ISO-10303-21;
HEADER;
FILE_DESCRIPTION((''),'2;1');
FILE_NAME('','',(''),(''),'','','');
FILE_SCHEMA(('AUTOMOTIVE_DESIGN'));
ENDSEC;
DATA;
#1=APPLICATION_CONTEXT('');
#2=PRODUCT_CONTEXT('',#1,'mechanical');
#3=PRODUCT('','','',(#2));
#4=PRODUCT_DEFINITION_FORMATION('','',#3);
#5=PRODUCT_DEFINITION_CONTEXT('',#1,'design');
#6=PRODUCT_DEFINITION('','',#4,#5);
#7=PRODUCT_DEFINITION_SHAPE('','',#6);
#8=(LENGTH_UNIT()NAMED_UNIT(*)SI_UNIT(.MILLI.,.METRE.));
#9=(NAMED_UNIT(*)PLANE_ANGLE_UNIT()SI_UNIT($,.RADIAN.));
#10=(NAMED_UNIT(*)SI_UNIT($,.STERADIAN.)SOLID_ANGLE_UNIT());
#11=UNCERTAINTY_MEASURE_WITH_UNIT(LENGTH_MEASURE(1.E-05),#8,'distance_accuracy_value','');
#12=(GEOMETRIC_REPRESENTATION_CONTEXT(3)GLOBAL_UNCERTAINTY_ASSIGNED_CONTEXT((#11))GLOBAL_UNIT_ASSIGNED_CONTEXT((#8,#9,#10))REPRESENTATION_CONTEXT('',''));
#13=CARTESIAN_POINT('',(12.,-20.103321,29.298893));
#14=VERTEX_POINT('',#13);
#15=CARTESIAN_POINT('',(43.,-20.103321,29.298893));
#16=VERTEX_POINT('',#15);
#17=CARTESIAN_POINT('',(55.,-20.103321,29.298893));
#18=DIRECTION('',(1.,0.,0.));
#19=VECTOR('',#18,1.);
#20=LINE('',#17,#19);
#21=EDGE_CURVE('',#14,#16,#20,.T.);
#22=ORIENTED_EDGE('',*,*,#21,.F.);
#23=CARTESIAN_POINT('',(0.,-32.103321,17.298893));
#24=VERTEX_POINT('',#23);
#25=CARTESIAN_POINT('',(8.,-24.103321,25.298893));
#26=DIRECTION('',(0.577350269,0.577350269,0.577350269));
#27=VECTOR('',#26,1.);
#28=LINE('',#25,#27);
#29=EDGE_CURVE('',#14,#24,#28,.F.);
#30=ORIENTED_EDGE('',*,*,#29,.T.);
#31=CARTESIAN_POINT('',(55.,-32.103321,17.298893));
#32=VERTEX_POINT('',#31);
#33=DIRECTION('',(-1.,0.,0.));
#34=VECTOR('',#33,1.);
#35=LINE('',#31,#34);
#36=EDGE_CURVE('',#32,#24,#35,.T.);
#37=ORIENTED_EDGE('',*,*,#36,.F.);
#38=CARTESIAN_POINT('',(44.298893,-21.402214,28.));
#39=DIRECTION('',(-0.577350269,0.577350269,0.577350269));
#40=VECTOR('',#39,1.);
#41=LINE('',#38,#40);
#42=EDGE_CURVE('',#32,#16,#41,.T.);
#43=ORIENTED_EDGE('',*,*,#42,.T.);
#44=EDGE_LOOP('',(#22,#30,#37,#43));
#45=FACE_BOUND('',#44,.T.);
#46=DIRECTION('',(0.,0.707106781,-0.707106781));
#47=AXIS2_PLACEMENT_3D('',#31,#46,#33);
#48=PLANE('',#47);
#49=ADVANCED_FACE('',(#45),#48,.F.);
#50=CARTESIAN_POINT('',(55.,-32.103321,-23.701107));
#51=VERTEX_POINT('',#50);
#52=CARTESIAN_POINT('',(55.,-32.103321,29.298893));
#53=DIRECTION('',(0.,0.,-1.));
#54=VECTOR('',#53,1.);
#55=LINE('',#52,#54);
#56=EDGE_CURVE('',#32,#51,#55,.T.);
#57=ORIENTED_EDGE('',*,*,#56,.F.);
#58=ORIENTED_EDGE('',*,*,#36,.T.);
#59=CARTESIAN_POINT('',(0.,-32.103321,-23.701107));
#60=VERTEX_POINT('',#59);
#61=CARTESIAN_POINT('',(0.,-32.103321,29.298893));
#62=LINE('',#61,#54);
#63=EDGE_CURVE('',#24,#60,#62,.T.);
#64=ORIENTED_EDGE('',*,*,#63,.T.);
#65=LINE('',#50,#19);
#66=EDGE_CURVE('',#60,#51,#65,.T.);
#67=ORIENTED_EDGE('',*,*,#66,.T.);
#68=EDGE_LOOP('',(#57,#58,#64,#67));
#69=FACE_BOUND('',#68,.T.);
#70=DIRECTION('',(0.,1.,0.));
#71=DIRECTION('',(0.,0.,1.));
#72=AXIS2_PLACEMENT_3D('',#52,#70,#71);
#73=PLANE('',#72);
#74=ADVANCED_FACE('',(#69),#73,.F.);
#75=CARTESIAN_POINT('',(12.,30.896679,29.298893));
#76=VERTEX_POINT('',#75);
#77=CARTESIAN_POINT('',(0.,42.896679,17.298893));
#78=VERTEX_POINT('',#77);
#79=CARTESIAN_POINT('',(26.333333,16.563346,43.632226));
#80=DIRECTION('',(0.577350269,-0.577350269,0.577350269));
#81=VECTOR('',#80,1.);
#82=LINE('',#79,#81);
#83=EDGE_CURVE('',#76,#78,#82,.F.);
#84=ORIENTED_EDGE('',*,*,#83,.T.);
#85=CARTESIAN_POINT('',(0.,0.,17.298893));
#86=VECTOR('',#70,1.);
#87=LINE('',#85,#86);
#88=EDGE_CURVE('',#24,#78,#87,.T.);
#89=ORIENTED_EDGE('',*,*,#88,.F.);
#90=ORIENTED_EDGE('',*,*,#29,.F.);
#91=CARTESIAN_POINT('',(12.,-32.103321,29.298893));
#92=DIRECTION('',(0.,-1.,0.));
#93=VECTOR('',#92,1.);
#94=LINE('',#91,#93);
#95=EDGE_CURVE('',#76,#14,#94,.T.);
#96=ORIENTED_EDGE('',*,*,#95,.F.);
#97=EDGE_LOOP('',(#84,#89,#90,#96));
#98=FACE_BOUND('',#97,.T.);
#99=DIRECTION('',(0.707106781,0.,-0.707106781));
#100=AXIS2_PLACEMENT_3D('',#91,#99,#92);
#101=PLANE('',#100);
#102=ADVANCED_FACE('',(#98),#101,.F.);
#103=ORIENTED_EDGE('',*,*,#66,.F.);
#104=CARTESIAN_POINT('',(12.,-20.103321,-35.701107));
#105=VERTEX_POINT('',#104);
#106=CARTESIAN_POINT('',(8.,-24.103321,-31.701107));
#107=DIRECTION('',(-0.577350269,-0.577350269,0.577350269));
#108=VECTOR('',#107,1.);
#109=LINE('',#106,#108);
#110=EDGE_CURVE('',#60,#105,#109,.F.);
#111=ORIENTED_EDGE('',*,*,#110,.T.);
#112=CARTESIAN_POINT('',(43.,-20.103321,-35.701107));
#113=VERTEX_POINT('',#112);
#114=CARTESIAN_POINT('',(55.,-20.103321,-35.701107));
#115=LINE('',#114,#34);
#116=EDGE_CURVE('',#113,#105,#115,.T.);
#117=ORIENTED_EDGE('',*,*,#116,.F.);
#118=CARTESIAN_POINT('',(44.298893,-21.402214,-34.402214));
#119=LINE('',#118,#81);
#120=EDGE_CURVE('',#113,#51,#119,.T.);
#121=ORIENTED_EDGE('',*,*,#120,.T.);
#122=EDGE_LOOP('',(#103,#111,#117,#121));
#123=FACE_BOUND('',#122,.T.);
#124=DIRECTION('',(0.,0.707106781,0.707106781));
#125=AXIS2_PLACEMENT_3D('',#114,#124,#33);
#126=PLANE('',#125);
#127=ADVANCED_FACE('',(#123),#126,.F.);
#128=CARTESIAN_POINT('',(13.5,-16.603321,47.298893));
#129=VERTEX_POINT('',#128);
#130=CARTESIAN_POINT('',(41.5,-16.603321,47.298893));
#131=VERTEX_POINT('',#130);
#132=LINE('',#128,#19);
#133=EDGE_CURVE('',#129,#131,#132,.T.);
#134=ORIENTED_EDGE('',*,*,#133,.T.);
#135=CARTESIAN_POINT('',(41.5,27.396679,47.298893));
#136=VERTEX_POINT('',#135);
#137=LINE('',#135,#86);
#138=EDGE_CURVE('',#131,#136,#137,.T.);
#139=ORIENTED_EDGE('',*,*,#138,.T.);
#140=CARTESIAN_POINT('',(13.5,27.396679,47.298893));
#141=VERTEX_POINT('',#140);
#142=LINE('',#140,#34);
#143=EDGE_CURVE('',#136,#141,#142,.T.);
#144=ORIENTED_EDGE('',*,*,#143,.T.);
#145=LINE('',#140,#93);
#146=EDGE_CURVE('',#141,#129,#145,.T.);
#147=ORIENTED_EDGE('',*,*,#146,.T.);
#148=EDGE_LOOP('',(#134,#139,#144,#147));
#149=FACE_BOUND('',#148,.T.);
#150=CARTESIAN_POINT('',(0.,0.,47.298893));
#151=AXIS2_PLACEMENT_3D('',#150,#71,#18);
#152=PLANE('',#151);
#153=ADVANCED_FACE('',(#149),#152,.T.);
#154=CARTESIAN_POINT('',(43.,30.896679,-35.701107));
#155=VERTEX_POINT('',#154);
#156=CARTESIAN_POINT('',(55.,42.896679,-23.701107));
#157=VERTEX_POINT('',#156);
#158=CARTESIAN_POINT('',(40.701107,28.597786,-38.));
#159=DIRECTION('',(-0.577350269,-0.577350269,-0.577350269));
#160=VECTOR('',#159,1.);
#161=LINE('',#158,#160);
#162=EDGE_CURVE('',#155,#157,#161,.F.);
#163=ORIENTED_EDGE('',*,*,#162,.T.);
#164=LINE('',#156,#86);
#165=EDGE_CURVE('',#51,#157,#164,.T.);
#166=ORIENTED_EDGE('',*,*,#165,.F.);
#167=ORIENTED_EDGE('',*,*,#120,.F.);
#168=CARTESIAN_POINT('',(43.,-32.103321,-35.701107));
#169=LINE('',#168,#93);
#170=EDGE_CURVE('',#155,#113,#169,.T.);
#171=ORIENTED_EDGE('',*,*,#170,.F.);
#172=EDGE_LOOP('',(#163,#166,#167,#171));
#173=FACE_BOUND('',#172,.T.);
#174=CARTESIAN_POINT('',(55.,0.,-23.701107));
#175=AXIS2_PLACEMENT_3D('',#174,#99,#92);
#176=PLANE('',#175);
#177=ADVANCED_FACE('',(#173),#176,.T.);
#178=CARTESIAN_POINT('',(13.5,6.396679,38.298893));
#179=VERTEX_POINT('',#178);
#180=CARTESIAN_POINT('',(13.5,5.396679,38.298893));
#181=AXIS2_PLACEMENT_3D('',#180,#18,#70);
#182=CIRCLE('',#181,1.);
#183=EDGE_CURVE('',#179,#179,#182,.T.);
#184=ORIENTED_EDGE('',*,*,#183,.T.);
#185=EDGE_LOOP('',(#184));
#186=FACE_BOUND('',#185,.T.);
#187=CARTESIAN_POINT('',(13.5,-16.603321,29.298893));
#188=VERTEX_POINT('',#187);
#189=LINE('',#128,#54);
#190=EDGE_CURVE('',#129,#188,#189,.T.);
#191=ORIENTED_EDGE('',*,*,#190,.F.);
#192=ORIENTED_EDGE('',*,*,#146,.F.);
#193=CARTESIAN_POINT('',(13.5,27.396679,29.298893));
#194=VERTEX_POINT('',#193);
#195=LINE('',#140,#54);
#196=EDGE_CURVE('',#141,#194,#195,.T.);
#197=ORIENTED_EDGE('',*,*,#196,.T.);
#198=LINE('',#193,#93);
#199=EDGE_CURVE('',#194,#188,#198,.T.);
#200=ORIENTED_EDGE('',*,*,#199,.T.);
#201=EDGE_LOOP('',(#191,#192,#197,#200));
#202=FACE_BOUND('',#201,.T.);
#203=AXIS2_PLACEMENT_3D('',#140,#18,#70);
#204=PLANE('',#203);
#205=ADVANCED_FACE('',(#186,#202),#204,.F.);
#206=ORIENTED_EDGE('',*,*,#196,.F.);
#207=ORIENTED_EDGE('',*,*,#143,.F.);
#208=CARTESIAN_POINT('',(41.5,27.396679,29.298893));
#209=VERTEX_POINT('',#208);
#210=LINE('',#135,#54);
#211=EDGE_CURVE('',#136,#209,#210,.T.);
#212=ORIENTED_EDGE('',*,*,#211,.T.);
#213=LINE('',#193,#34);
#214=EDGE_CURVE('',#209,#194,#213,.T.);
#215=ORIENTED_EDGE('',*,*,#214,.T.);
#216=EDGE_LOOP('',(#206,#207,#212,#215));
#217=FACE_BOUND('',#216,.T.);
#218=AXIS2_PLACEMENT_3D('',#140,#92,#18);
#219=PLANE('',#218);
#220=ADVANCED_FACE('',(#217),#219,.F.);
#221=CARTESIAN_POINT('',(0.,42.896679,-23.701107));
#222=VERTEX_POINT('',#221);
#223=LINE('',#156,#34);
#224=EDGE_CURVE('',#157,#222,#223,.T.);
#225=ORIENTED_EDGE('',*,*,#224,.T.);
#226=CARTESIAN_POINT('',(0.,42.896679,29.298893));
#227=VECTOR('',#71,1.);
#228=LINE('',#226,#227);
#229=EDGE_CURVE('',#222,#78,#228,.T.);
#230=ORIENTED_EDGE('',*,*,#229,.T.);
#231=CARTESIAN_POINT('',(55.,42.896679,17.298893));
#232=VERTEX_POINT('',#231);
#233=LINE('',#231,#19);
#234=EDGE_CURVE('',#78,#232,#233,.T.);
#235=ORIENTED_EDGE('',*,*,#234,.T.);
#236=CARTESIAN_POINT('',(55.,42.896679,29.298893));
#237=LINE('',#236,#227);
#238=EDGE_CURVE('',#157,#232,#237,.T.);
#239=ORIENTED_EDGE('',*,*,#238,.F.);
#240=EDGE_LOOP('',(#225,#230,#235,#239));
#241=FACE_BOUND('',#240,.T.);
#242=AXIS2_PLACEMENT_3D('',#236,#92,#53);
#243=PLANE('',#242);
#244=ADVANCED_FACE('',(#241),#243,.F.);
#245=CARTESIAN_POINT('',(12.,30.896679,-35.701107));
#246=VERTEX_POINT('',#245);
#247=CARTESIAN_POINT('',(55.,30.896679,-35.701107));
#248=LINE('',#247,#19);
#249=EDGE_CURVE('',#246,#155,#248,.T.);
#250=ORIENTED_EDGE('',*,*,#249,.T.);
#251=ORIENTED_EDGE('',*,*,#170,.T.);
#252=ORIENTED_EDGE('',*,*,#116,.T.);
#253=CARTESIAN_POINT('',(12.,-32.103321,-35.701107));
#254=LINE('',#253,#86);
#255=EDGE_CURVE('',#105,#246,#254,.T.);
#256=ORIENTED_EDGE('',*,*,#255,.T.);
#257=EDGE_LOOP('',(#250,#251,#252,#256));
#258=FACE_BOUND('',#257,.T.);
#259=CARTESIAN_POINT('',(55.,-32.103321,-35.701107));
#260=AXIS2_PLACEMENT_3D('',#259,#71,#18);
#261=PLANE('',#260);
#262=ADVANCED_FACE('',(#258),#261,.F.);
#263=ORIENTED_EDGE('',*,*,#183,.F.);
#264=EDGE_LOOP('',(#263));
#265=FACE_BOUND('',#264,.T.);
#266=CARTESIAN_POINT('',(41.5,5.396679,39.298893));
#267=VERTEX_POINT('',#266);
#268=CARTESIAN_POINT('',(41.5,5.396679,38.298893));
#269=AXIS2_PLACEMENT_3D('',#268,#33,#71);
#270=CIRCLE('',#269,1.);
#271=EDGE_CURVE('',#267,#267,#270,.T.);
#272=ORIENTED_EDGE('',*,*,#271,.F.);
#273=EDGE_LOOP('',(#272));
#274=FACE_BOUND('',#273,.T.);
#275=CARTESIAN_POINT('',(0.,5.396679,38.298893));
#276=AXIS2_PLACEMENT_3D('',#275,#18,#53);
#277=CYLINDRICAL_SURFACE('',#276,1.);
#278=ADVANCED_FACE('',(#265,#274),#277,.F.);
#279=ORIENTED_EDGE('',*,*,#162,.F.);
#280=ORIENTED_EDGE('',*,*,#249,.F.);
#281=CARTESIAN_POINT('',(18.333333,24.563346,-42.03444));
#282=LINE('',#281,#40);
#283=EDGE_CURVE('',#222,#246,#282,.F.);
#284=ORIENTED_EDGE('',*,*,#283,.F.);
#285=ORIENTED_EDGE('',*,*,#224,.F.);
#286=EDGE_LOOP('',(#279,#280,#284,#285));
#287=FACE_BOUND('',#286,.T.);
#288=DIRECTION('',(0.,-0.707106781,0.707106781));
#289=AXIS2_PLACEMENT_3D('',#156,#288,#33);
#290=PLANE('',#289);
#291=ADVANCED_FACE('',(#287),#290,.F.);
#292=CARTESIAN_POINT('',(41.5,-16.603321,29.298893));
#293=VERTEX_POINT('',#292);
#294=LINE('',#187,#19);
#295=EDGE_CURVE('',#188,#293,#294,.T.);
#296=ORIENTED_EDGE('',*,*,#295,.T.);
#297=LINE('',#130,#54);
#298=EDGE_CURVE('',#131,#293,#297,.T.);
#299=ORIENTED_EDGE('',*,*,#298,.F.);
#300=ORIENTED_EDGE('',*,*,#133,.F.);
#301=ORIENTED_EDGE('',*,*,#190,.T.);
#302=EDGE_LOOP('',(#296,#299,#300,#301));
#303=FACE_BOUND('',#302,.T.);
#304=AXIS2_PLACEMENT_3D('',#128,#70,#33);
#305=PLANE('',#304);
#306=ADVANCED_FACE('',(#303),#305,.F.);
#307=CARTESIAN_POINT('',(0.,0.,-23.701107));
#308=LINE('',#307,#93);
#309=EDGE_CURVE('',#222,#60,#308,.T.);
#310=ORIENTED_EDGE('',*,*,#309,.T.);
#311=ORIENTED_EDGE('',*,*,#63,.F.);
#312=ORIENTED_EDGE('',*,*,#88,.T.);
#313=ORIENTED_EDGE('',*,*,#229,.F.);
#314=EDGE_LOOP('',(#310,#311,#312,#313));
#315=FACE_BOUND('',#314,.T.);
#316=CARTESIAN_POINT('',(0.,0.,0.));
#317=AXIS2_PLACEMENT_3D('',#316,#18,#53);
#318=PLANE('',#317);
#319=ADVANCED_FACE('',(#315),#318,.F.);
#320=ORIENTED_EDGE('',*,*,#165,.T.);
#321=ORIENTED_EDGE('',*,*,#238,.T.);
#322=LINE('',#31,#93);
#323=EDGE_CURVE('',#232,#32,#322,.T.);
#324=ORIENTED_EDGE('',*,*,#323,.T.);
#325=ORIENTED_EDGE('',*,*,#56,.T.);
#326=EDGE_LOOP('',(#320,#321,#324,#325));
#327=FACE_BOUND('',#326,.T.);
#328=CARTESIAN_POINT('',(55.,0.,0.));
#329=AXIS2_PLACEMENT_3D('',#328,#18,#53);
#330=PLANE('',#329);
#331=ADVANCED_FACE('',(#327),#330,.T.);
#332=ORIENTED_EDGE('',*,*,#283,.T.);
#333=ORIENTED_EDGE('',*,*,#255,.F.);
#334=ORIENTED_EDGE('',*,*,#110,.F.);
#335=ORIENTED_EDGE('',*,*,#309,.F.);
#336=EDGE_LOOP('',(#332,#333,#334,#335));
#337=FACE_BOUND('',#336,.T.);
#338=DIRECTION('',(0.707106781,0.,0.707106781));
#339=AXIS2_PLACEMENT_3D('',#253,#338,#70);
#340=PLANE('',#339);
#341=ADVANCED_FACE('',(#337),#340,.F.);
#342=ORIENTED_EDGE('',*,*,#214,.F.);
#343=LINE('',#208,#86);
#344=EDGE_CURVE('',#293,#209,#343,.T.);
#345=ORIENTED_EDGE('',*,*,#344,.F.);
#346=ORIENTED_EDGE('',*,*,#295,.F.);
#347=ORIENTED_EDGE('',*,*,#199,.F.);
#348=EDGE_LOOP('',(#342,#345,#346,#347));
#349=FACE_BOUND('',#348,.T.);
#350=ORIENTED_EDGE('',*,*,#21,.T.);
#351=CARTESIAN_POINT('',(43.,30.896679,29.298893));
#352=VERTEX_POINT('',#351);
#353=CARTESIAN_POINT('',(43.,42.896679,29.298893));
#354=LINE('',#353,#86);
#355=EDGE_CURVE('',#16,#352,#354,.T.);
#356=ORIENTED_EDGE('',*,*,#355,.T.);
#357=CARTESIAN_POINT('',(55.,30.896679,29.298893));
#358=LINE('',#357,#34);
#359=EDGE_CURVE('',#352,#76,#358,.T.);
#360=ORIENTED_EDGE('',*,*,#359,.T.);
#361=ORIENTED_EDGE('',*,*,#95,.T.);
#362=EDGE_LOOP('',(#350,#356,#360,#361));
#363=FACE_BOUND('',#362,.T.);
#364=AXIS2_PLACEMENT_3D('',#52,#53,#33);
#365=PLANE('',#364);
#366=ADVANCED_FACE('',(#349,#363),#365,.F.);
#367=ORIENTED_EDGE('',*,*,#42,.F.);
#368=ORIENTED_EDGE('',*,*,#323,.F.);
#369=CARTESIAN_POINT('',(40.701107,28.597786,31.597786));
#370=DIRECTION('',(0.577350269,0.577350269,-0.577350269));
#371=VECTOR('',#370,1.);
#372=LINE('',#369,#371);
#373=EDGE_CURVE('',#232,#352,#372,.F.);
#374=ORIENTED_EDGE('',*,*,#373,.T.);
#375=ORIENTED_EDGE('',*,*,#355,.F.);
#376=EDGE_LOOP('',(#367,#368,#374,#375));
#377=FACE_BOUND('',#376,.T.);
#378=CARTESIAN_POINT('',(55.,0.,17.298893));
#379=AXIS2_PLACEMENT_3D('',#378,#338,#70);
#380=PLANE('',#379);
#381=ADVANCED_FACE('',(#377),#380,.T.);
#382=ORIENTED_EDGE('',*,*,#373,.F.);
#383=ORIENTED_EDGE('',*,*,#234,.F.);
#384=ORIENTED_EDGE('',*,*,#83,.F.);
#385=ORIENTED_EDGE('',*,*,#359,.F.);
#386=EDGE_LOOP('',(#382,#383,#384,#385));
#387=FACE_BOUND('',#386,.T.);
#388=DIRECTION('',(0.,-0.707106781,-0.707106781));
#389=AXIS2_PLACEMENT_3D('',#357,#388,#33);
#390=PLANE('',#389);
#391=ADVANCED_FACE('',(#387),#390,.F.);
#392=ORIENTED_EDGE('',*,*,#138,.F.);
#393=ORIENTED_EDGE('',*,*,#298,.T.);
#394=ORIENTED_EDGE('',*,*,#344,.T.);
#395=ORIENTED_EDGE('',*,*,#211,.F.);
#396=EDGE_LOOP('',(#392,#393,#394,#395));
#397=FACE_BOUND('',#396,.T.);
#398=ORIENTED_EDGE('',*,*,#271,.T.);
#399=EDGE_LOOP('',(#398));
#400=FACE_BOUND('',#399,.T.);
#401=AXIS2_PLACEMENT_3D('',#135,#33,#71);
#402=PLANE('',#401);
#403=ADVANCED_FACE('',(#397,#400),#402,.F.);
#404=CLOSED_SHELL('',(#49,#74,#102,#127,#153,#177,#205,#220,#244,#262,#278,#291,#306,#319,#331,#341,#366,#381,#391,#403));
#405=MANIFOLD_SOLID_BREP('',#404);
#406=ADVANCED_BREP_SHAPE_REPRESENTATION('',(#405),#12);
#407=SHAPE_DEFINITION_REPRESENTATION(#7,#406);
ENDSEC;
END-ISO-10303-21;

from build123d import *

# Parameters (mm, degrees)
SKETCH1_W               = 75
SKETCH1_H               = 65
BOSS_EXTRUDE1_DEPTH     = 55
SKETCH2_W               = 28
SKETCH2_H               = 44
BOSS_EXTRUDE2_DEPTH     = 18
CHAMFER1_SIZE           = 12
CUT_EXTRUDE1_DEPTH      = 77.154844523
CUT_EXTRUDE1_DEPTH_BACK = 77.154844523
SKETCH3_R               = 1


with BuildPart() as part:
    # Sketch1 → Boss-Extrude1 (new body)
    with BuildSketch(Plane.YZ):
        with Locations((5.396678967, -3.201107011)):
            Rectangle(SKETCH1_W, SKETCH1_H)
    extrude(amount=BOSS_EXTRUDE1_DEPTH)

    # Sketch2 → Boss-Extrude2 (add)
    with BuildSketch(Plane.XY.offset(29.298892989)):
        with Locations((27.5, 5.396678967)):
            Rectangle(SKETCH2_W, SKETCH2_H)
    extrude(amount=BOSS_EXTRUDE2_DEPTH)

    # Chamfer1
    chamfer1_edges = [part.edges().sort_by_distance(p)[0] for p in [
        (55, 5.396678967, 29.298892989),
        (0, 5.396678967, 29.298892989),
        (0, 5.396678967, -35.701107011),
        (27.5, -32.103321033, 29.298892989),
        (27.5, 42.896678967, 29.298892989),
        (27.5, 42.896678967, -35.701107011),
        (27.5, -32.103321033, -35.701107011),
        (55, 5.396678967, -35.701107011),
    ]]
    chamfer(chamfer1_edges, length=CHAMFER1_SIZE)

    # Sketch3 → Cut-Extrude1 (cut, two sides: drawn at the far end of the back side and taken through both)
    with BuildSketch(Plane.YZ.offset(41.5).offset(-CUT_EXTRUDE1_DEPTH_BACK)):
        with Locations((5.396678967, 38.298892989)):
            Circle(SKETCH3_R)
    extrude(amount=CUT_EXTRUDE1_DEPTH + CUT_EXTRUDE1_DEPTH_BACK, mode=Mode.SUBTRACT)


solid = part.part
